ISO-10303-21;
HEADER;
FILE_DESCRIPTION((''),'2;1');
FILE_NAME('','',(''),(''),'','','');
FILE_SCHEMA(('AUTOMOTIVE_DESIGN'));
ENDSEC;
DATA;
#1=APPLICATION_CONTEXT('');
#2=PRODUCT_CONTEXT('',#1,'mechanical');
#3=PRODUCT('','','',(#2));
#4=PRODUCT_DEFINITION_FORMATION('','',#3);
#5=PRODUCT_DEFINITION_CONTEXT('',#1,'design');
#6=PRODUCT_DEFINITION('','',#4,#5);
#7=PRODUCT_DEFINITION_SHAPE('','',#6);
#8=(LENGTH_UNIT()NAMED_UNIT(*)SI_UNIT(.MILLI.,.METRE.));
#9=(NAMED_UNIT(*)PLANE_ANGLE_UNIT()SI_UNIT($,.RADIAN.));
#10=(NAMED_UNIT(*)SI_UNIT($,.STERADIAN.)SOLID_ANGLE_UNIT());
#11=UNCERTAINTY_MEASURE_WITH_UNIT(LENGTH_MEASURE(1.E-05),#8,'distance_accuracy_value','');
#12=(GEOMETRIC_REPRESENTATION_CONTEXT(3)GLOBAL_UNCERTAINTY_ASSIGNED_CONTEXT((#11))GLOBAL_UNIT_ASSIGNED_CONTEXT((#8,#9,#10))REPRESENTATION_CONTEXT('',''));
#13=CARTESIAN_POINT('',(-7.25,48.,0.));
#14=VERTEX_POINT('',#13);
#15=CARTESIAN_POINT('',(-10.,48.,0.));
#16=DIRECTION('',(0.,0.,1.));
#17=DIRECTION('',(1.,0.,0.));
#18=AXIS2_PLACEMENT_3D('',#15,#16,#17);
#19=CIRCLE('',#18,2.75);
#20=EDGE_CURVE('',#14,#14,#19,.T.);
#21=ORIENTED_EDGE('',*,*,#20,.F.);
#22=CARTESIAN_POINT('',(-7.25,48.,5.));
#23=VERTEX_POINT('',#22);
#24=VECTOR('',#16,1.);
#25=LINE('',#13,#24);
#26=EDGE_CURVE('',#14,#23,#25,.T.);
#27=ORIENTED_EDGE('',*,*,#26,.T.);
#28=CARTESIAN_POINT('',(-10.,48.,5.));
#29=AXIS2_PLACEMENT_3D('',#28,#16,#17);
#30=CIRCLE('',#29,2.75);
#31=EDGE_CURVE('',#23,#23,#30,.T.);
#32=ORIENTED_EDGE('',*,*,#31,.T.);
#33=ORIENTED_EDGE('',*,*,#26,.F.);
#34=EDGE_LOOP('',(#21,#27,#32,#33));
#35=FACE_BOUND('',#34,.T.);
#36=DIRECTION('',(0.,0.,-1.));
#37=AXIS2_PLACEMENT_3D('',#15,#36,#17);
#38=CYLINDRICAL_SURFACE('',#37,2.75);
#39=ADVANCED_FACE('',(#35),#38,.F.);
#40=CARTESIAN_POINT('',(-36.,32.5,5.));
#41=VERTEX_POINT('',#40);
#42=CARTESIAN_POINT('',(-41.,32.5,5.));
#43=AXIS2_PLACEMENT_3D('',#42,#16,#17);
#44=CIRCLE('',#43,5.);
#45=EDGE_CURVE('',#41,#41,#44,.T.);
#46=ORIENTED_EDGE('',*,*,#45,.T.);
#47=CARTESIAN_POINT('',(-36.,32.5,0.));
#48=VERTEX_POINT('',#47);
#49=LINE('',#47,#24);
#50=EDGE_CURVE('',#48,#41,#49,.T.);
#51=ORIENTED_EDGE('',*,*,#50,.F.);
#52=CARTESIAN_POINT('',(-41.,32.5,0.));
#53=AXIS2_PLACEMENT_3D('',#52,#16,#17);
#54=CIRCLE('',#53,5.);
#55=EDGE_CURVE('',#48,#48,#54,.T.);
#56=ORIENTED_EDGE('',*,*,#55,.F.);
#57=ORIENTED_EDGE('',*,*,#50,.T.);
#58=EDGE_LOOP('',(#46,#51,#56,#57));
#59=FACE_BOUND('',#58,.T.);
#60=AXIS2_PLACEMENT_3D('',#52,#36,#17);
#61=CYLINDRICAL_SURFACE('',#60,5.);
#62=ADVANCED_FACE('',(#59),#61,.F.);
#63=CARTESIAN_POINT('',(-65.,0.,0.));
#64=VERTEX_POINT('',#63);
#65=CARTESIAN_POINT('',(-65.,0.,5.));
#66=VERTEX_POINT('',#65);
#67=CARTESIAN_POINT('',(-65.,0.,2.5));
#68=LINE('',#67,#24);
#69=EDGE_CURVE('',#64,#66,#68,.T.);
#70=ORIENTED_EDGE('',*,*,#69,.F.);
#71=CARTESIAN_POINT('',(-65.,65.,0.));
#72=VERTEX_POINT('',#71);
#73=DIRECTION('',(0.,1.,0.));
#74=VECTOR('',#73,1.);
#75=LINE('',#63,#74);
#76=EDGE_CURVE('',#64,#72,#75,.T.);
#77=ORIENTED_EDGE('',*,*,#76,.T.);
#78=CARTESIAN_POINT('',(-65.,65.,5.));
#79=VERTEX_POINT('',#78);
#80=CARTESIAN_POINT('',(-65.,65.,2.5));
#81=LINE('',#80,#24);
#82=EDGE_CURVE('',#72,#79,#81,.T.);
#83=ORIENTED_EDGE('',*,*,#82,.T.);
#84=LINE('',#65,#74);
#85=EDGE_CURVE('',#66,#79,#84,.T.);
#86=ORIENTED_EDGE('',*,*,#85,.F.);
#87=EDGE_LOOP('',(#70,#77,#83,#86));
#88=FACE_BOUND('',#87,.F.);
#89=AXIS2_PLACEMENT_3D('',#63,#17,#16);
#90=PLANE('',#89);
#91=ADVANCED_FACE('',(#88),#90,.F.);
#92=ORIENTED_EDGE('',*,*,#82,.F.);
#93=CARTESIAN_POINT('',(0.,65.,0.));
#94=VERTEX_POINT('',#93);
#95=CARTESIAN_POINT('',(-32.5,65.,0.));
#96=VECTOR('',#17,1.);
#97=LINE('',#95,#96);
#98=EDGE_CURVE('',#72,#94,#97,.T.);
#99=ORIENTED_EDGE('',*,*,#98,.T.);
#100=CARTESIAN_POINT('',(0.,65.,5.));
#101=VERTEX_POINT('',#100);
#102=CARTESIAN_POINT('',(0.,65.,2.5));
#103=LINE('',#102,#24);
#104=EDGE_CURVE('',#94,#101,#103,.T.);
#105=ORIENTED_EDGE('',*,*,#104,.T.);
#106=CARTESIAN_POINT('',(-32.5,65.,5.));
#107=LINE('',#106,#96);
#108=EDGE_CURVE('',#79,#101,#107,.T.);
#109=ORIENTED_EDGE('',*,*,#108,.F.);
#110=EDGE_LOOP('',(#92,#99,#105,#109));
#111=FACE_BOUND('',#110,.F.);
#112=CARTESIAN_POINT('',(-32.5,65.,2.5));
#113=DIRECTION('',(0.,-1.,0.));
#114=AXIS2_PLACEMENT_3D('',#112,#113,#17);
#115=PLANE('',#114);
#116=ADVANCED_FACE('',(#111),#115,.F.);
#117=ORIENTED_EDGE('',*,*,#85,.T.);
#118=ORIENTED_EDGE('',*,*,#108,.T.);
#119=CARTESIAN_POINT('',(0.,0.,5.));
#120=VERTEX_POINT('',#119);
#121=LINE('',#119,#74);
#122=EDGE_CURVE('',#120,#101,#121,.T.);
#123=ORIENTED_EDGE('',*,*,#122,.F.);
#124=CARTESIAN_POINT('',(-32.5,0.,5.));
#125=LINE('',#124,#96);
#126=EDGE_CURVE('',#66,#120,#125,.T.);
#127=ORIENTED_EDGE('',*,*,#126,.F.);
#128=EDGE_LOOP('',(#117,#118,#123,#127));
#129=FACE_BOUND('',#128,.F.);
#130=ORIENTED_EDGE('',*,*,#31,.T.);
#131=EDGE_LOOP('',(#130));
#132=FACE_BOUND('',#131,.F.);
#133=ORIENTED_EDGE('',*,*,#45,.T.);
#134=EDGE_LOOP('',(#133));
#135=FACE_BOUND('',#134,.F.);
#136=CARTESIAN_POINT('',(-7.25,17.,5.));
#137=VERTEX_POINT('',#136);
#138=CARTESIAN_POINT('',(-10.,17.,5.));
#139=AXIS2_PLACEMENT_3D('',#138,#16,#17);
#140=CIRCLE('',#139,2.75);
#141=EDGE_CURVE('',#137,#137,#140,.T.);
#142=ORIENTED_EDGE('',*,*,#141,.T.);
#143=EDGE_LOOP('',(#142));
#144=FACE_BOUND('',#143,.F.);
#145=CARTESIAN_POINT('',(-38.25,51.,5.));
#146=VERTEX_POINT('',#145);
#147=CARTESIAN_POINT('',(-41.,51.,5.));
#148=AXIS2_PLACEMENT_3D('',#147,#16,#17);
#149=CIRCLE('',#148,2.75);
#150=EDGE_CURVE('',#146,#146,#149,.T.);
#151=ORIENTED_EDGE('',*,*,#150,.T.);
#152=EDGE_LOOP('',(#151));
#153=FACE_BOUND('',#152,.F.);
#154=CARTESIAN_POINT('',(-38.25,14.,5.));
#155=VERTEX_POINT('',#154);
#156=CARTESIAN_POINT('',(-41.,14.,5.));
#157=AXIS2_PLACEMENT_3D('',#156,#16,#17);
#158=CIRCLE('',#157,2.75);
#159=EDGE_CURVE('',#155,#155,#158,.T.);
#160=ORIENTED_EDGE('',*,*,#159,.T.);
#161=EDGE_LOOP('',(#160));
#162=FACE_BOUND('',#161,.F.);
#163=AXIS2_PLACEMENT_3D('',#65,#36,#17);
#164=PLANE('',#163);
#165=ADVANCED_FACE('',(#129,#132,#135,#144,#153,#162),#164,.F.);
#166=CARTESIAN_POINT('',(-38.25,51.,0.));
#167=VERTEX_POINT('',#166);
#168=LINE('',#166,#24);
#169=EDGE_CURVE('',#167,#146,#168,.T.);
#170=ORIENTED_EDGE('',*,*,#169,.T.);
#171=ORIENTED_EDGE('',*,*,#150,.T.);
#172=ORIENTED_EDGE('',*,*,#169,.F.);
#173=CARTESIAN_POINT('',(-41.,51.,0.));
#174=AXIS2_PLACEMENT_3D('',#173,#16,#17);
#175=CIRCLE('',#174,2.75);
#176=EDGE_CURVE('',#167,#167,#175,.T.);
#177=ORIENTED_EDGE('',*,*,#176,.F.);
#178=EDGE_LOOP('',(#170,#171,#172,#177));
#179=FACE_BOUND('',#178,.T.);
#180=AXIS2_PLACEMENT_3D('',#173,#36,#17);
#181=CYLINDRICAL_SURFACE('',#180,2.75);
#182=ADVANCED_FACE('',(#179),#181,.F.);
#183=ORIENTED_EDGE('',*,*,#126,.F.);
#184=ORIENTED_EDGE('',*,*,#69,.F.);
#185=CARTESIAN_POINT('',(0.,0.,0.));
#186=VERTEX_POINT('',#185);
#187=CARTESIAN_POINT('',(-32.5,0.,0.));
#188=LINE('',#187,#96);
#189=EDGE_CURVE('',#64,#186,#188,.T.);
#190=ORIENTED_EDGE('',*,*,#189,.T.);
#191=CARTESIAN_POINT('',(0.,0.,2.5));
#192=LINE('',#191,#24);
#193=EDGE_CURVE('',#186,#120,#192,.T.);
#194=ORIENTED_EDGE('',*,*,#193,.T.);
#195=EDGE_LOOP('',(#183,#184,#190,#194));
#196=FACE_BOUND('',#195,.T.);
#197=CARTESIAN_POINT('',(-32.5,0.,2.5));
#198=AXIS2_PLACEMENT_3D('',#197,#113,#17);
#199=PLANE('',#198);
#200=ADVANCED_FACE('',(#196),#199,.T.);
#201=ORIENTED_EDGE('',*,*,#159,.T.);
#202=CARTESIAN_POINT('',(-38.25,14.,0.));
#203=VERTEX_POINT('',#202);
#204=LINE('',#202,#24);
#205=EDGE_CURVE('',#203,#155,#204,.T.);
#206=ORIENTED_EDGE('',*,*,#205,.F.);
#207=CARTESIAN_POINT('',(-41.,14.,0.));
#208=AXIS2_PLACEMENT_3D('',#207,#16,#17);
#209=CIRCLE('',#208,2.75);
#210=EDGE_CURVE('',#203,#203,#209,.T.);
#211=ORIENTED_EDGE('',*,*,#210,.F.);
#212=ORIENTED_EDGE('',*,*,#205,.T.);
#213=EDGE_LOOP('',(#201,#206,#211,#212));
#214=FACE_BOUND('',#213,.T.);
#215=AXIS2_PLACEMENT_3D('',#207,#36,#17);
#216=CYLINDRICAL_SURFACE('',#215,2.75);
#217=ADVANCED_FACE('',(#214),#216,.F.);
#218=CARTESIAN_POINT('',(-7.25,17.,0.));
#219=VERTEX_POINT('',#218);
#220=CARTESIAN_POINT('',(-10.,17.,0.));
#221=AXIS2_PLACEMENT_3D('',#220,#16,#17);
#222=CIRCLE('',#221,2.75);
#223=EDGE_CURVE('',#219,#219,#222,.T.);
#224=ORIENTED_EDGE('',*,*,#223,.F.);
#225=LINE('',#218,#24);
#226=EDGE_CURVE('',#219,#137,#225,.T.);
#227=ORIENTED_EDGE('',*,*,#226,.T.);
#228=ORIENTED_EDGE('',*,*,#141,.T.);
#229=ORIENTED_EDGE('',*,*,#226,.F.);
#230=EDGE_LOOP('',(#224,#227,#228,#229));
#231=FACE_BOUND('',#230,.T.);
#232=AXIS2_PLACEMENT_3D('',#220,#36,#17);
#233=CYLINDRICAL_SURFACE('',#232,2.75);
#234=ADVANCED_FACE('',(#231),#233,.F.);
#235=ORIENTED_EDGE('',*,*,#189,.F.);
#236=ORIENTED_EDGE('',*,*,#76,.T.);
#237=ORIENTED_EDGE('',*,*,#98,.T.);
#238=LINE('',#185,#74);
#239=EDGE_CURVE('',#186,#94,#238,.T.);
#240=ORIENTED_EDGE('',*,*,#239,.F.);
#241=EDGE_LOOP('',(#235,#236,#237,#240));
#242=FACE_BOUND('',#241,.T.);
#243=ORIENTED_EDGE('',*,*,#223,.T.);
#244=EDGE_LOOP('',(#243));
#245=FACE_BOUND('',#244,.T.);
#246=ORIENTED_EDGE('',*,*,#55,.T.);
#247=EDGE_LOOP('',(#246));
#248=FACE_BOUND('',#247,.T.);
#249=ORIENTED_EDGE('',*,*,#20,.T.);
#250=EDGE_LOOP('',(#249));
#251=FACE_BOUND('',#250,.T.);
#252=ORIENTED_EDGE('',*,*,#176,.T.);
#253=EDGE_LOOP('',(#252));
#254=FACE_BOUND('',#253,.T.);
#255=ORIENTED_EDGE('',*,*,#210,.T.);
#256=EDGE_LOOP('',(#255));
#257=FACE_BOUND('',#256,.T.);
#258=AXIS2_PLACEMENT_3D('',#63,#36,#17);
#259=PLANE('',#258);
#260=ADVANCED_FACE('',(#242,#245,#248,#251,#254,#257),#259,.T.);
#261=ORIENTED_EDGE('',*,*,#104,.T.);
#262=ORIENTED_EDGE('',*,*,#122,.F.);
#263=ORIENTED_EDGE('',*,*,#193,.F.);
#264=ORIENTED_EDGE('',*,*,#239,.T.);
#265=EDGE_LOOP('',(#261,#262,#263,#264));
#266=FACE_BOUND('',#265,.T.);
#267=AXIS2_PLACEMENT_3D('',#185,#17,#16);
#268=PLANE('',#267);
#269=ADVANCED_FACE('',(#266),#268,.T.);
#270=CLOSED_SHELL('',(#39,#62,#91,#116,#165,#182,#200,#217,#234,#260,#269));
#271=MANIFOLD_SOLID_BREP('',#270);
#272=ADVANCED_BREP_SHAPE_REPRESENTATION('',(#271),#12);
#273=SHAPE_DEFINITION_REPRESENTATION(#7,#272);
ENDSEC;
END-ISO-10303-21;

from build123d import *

# Parameters (mm, degrees)
F0_W     = 65
F0_H     = 5
F1_DEPTH = 65
F2_R     = 2.75
F2_R_2   = 5
F3_DEPTH = 5


with BuildPart() as f1:
    # F0 (on Front) → F1 (new body)
    with BuildSketch(Plane.XZ):
        with Locations((-32.5, 2.5)):
            Rectangle(F0_W, F0_H)
    extrude(amount=-F1_DEPTH)

    # F2 (on Top) → F3 (cut)
    with BuildSketch(Plane.XY):
        with Locations((-10, 48)):
            Circle(F2_R)
        with Locations((-10, 17)):
            Circle(F2_R)
        with Locations((-41, 51)):
            Circle(F2_R)
        with Locations((-41, 14)):
            Circle(F2_R)
        with Locations((-41, 32.5)):
            Circle(F2_R_2)
    extrude(amount=F3_DEPTH, mode=Mode.SUBTRACT)


solid = f1.part
